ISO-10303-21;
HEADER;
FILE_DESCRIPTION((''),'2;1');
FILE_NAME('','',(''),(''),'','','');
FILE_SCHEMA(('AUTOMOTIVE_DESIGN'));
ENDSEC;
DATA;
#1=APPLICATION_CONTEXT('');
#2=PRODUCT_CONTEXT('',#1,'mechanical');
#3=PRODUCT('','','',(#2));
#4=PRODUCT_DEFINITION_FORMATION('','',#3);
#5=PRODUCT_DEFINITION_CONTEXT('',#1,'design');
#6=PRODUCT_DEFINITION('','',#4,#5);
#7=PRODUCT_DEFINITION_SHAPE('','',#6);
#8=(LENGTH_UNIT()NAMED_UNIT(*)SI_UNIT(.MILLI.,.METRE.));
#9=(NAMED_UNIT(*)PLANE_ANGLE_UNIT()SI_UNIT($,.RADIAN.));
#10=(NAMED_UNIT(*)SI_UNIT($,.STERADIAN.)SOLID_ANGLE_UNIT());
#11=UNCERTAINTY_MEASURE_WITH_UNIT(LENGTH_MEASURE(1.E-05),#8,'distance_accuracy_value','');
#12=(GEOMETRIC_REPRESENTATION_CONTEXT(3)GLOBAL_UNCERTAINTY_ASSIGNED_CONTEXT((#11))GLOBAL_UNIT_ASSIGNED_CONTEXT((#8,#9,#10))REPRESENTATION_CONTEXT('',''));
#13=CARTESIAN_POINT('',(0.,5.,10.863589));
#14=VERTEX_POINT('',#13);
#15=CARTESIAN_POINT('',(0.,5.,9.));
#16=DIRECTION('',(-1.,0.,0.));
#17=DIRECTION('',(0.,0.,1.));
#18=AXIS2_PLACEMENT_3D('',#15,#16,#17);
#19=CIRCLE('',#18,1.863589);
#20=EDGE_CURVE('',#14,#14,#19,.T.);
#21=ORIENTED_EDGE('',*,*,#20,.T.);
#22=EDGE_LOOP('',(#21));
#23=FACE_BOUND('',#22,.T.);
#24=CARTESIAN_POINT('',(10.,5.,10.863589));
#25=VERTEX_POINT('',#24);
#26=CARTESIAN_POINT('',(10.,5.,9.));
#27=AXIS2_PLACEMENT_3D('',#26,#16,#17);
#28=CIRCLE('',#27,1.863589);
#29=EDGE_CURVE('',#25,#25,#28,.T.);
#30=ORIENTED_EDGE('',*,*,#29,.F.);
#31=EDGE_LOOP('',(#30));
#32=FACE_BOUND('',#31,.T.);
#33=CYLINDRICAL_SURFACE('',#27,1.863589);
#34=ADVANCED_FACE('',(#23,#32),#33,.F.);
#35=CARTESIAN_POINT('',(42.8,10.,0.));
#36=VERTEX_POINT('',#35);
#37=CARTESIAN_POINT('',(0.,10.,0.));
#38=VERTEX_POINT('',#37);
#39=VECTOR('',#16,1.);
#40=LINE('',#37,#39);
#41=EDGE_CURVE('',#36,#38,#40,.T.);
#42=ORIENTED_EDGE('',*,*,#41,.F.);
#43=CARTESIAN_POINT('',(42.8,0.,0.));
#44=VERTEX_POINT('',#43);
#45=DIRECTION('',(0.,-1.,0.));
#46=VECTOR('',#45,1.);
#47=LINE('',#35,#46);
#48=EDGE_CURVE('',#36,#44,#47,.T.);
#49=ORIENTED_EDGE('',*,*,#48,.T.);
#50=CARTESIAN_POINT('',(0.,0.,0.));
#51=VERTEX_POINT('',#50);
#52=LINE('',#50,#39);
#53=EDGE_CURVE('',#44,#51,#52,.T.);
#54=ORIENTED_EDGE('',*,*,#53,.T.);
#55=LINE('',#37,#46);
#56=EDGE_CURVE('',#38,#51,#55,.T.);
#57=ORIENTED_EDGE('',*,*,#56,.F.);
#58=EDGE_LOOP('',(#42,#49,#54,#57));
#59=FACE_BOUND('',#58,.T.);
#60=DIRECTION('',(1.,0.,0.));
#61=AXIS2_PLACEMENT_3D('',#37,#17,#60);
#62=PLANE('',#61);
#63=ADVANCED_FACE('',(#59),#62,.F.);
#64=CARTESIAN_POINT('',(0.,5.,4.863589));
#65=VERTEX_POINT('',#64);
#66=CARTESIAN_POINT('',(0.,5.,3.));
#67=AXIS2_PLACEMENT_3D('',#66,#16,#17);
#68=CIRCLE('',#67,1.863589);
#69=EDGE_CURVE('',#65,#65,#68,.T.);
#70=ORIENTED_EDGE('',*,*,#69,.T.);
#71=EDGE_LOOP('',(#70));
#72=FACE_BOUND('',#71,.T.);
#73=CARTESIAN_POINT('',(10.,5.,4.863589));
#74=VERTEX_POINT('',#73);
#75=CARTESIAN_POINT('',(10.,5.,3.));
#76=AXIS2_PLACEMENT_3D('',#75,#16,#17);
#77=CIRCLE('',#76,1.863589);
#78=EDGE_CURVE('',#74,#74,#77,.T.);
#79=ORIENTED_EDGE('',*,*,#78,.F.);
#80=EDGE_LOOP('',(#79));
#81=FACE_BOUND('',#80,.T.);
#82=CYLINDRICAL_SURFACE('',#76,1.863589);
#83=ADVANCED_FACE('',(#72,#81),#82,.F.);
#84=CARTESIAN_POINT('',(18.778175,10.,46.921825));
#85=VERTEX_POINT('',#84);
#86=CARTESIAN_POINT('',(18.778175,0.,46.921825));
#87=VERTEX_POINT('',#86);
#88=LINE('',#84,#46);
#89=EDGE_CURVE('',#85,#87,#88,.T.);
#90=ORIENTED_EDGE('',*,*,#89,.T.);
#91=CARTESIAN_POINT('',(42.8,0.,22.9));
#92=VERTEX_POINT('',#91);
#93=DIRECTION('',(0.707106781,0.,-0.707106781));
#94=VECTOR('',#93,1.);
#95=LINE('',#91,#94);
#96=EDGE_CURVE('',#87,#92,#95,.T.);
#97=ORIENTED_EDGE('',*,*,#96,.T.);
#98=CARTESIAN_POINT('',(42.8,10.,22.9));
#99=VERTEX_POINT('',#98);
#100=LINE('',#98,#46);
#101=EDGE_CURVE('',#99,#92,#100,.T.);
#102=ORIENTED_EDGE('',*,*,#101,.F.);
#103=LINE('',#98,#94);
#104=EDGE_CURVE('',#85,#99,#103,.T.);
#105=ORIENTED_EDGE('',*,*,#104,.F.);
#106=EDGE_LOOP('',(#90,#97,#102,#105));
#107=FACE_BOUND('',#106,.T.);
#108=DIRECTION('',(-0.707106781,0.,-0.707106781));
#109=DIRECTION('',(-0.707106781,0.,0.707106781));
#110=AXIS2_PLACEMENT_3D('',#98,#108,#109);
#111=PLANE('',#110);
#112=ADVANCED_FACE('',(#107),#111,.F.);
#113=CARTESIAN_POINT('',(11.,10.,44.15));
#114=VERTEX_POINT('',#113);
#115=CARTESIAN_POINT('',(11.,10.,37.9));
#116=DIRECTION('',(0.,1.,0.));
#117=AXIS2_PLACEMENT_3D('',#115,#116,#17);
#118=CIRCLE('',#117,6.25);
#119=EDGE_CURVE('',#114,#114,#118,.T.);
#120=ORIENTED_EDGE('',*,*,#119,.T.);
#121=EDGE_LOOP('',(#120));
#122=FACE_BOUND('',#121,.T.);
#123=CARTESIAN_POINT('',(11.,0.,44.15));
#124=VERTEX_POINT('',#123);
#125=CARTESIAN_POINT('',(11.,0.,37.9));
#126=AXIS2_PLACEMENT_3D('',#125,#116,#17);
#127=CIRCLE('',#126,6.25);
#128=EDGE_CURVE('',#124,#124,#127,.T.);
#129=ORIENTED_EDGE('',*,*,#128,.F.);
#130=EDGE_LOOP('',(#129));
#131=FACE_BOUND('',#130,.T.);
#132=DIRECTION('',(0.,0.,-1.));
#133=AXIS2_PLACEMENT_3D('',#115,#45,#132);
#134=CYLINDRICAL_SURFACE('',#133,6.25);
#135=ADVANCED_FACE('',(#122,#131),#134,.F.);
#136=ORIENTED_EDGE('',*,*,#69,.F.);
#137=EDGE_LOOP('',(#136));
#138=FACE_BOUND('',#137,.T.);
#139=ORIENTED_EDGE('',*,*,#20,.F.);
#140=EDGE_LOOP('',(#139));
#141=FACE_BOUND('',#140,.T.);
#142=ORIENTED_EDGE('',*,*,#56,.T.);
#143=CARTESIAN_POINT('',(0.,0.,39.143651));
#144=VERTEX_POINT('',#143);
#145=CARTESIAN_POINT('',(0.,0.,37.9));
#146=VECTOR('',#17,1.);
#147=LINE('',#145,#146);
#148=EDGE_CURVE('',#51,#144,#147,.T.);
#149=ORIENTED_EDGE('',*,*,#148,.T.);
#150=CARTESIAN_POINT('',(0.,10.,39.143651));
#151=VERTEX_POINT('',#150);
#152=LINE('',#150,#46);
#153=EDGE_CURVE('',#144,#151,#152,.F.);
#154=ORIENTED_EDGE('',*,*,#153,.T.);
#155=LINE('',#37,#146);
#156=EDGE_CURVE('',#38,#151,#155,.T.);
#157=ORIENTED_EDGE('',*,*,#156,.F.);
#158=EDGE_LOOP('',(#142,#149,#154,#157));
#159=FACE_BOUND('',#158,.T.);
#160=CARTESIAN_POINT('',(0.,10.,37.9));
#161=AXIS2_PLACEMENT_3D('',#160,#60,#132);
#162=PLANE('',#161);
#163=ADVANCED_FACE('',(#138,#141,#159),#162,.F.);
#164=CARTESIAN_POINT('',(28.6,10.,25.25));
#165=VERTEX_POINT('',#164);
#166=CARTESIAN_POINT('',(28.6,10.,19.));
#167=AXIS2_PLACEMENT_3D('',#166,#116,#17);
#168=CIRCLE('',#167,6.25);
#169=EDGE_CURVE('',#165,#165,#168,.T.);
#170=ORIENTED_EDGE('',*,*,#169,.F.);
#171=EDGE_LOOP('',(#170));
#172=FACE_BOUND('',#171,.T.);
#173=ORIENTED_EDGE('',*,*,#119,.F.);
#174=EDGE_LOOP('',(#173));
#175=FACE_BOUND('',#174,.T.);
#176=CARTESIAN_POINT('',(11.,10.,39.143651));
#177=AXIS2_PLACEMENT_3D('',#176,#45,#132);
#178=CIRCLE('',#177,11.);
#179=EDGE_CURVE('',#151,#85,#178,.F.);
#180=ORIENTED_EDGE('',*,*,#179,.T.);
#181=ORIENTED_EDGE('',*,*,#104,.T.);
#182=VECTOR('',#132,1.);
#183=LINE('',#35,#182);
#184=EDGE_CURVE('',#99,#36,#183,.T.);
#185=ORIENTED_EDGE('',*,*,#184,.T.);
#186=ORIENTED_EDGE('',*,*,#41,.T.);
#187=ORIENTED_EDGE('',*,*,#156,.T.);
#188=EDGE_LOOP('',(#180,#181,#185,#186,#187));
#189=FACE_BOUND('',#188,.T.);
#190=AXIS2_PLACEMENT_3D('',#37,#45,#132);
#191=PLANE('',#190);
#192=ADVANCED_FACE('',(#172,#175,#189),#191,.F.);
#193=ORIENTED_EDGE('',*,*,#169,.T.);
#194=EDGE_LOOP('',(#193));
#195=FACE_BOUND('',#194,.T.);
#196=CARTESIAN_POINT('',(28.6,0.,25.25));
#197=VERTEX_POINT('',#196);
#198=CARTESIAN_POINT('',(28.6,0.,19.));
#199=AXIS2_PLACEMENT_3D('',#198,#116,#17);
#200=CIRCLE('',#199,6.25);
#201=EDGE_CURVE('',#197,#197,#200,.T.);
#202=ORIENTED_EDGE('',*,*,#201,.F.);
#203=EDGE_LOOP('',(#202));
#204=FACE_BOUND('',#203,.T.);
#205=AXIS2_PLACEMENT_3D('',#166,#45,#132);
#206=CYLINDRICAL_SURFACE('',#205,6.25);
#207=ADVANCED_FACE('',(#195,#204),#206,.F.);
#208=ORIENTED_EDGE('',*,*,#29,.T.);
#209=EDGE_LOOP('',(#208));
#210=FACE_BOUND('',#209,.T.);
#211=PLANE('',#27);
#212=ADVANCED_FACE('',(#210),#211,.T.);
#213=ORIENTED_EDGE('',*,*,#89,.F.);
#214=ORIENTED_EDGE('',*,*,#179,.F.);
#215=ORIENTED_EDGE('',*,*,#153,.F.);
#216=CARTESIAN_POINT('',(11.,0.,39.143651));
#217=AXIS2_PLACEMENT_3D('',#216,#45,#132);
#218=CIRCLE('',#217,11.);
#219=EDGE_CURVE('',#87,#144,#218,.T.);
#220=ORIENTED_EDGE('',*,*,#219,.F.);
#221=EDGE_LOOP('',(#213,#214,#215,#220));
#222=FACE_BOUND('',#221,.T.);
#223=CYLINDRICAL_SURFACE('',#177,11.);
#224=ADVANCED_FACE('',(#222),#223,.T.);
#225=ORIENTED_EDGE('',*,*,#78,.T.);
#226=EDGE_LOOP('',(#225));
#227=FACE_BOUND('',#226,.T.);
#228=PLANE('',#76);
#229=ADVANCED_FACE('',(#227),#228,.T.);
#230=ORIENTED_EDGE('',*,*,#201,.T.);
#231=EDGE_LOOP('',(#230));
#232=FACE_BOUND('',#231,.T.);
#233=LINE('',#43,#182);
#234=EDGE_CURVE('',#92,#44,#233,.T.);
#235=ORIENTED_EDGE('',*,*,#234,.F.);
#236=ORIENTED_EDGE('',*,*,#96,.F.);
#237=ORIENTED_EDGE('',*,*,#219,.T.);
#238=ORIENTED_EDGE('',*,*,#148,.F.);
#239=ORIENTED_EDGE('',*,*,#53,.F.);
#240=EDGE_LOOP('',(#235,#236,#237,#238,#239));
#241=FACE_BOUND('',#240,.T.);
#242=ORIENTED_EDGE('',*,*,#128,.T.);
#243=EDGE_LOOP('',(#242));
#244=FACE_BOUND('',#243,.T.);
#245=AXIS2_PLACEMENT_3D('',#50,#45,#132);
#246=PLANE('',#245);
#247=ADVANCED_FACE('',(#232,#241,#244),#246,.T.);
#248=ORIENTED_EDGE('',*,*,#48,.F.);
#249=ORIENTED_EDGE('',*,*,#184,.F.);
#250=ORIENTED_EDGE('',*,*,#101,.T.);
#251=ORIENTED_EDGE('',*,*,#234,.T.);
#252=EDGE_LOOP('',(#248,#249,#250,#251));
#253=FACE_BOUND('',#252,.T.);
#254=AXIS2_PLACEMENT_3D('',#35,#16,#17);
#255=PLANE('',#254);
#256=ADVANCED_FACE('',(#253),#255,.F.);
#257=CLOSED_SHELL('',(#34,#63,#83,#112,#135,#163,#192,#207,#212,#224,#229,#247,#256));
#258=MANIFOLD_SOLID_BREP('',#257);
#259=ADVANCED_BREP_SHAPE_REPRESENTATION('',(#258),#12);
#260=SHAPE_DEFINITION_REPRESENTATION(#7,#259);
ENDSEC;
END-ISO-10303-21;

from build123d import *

# Parameters (mm, degrees)
SCHIZZO1_R                   = 6.25
ESTRUSIONE_ESTRUSIONE1_DEPTH = 10
RACCORDO1_R                  = 11
SCHIZZO2_R                   = 1.863588926
TAGLIO_ESTRUSIONE1_DEPTH     = 10


with BuildPart() as part:
    # Schizzo1 → Estrusione-Estrusione1 (new body)
    with BuildSketch(Plane(origin=(0, 0, 0), x_dir=(1, 0, 0), z_dir=(0, 1, 0))):
        Polygon((0, 0), (0, -37.9), (0, -65.7), (42.8, -22.9), (42.8, 0), align=None)
        with Locations(Location((11, -37.9, 0), (0, 0, 270))):
            Circle(SCHIZZO1_R, mode=Mode.SUBTRACT)
        with Locations(Location((28.6, -19, 0), (0, 0, 270))):
            Circle(SCHIZZO1_R, mode=Mode.SUBTRACT)
    extrude(amount=ESTRUSIONE_ESTRUSIONE1_DEPTH)

    # Raccordo1
    raccordo1_edges = [part.edges().sort_by_distance(p)[0] for p in [
        (0, 5, 65.7),
    ]]
    fillet(raccordo1_edges, radius=RACCORDO1_R)

    # Schizzo2 → Taglio-Estrusione1 (cut)
    with BuildSketch(Plane.ZY):
        with Locations((3, 5)):
            Circle(SCHIZZO2_R)
        with Locations((9, 5)):
            Circle(SCHIZZO2_R)
    extrude(amount=-TAGLIO_ESTRUSIONE1_DEPTH, mode=Mode.SUBTRACT)


solid = part.part
